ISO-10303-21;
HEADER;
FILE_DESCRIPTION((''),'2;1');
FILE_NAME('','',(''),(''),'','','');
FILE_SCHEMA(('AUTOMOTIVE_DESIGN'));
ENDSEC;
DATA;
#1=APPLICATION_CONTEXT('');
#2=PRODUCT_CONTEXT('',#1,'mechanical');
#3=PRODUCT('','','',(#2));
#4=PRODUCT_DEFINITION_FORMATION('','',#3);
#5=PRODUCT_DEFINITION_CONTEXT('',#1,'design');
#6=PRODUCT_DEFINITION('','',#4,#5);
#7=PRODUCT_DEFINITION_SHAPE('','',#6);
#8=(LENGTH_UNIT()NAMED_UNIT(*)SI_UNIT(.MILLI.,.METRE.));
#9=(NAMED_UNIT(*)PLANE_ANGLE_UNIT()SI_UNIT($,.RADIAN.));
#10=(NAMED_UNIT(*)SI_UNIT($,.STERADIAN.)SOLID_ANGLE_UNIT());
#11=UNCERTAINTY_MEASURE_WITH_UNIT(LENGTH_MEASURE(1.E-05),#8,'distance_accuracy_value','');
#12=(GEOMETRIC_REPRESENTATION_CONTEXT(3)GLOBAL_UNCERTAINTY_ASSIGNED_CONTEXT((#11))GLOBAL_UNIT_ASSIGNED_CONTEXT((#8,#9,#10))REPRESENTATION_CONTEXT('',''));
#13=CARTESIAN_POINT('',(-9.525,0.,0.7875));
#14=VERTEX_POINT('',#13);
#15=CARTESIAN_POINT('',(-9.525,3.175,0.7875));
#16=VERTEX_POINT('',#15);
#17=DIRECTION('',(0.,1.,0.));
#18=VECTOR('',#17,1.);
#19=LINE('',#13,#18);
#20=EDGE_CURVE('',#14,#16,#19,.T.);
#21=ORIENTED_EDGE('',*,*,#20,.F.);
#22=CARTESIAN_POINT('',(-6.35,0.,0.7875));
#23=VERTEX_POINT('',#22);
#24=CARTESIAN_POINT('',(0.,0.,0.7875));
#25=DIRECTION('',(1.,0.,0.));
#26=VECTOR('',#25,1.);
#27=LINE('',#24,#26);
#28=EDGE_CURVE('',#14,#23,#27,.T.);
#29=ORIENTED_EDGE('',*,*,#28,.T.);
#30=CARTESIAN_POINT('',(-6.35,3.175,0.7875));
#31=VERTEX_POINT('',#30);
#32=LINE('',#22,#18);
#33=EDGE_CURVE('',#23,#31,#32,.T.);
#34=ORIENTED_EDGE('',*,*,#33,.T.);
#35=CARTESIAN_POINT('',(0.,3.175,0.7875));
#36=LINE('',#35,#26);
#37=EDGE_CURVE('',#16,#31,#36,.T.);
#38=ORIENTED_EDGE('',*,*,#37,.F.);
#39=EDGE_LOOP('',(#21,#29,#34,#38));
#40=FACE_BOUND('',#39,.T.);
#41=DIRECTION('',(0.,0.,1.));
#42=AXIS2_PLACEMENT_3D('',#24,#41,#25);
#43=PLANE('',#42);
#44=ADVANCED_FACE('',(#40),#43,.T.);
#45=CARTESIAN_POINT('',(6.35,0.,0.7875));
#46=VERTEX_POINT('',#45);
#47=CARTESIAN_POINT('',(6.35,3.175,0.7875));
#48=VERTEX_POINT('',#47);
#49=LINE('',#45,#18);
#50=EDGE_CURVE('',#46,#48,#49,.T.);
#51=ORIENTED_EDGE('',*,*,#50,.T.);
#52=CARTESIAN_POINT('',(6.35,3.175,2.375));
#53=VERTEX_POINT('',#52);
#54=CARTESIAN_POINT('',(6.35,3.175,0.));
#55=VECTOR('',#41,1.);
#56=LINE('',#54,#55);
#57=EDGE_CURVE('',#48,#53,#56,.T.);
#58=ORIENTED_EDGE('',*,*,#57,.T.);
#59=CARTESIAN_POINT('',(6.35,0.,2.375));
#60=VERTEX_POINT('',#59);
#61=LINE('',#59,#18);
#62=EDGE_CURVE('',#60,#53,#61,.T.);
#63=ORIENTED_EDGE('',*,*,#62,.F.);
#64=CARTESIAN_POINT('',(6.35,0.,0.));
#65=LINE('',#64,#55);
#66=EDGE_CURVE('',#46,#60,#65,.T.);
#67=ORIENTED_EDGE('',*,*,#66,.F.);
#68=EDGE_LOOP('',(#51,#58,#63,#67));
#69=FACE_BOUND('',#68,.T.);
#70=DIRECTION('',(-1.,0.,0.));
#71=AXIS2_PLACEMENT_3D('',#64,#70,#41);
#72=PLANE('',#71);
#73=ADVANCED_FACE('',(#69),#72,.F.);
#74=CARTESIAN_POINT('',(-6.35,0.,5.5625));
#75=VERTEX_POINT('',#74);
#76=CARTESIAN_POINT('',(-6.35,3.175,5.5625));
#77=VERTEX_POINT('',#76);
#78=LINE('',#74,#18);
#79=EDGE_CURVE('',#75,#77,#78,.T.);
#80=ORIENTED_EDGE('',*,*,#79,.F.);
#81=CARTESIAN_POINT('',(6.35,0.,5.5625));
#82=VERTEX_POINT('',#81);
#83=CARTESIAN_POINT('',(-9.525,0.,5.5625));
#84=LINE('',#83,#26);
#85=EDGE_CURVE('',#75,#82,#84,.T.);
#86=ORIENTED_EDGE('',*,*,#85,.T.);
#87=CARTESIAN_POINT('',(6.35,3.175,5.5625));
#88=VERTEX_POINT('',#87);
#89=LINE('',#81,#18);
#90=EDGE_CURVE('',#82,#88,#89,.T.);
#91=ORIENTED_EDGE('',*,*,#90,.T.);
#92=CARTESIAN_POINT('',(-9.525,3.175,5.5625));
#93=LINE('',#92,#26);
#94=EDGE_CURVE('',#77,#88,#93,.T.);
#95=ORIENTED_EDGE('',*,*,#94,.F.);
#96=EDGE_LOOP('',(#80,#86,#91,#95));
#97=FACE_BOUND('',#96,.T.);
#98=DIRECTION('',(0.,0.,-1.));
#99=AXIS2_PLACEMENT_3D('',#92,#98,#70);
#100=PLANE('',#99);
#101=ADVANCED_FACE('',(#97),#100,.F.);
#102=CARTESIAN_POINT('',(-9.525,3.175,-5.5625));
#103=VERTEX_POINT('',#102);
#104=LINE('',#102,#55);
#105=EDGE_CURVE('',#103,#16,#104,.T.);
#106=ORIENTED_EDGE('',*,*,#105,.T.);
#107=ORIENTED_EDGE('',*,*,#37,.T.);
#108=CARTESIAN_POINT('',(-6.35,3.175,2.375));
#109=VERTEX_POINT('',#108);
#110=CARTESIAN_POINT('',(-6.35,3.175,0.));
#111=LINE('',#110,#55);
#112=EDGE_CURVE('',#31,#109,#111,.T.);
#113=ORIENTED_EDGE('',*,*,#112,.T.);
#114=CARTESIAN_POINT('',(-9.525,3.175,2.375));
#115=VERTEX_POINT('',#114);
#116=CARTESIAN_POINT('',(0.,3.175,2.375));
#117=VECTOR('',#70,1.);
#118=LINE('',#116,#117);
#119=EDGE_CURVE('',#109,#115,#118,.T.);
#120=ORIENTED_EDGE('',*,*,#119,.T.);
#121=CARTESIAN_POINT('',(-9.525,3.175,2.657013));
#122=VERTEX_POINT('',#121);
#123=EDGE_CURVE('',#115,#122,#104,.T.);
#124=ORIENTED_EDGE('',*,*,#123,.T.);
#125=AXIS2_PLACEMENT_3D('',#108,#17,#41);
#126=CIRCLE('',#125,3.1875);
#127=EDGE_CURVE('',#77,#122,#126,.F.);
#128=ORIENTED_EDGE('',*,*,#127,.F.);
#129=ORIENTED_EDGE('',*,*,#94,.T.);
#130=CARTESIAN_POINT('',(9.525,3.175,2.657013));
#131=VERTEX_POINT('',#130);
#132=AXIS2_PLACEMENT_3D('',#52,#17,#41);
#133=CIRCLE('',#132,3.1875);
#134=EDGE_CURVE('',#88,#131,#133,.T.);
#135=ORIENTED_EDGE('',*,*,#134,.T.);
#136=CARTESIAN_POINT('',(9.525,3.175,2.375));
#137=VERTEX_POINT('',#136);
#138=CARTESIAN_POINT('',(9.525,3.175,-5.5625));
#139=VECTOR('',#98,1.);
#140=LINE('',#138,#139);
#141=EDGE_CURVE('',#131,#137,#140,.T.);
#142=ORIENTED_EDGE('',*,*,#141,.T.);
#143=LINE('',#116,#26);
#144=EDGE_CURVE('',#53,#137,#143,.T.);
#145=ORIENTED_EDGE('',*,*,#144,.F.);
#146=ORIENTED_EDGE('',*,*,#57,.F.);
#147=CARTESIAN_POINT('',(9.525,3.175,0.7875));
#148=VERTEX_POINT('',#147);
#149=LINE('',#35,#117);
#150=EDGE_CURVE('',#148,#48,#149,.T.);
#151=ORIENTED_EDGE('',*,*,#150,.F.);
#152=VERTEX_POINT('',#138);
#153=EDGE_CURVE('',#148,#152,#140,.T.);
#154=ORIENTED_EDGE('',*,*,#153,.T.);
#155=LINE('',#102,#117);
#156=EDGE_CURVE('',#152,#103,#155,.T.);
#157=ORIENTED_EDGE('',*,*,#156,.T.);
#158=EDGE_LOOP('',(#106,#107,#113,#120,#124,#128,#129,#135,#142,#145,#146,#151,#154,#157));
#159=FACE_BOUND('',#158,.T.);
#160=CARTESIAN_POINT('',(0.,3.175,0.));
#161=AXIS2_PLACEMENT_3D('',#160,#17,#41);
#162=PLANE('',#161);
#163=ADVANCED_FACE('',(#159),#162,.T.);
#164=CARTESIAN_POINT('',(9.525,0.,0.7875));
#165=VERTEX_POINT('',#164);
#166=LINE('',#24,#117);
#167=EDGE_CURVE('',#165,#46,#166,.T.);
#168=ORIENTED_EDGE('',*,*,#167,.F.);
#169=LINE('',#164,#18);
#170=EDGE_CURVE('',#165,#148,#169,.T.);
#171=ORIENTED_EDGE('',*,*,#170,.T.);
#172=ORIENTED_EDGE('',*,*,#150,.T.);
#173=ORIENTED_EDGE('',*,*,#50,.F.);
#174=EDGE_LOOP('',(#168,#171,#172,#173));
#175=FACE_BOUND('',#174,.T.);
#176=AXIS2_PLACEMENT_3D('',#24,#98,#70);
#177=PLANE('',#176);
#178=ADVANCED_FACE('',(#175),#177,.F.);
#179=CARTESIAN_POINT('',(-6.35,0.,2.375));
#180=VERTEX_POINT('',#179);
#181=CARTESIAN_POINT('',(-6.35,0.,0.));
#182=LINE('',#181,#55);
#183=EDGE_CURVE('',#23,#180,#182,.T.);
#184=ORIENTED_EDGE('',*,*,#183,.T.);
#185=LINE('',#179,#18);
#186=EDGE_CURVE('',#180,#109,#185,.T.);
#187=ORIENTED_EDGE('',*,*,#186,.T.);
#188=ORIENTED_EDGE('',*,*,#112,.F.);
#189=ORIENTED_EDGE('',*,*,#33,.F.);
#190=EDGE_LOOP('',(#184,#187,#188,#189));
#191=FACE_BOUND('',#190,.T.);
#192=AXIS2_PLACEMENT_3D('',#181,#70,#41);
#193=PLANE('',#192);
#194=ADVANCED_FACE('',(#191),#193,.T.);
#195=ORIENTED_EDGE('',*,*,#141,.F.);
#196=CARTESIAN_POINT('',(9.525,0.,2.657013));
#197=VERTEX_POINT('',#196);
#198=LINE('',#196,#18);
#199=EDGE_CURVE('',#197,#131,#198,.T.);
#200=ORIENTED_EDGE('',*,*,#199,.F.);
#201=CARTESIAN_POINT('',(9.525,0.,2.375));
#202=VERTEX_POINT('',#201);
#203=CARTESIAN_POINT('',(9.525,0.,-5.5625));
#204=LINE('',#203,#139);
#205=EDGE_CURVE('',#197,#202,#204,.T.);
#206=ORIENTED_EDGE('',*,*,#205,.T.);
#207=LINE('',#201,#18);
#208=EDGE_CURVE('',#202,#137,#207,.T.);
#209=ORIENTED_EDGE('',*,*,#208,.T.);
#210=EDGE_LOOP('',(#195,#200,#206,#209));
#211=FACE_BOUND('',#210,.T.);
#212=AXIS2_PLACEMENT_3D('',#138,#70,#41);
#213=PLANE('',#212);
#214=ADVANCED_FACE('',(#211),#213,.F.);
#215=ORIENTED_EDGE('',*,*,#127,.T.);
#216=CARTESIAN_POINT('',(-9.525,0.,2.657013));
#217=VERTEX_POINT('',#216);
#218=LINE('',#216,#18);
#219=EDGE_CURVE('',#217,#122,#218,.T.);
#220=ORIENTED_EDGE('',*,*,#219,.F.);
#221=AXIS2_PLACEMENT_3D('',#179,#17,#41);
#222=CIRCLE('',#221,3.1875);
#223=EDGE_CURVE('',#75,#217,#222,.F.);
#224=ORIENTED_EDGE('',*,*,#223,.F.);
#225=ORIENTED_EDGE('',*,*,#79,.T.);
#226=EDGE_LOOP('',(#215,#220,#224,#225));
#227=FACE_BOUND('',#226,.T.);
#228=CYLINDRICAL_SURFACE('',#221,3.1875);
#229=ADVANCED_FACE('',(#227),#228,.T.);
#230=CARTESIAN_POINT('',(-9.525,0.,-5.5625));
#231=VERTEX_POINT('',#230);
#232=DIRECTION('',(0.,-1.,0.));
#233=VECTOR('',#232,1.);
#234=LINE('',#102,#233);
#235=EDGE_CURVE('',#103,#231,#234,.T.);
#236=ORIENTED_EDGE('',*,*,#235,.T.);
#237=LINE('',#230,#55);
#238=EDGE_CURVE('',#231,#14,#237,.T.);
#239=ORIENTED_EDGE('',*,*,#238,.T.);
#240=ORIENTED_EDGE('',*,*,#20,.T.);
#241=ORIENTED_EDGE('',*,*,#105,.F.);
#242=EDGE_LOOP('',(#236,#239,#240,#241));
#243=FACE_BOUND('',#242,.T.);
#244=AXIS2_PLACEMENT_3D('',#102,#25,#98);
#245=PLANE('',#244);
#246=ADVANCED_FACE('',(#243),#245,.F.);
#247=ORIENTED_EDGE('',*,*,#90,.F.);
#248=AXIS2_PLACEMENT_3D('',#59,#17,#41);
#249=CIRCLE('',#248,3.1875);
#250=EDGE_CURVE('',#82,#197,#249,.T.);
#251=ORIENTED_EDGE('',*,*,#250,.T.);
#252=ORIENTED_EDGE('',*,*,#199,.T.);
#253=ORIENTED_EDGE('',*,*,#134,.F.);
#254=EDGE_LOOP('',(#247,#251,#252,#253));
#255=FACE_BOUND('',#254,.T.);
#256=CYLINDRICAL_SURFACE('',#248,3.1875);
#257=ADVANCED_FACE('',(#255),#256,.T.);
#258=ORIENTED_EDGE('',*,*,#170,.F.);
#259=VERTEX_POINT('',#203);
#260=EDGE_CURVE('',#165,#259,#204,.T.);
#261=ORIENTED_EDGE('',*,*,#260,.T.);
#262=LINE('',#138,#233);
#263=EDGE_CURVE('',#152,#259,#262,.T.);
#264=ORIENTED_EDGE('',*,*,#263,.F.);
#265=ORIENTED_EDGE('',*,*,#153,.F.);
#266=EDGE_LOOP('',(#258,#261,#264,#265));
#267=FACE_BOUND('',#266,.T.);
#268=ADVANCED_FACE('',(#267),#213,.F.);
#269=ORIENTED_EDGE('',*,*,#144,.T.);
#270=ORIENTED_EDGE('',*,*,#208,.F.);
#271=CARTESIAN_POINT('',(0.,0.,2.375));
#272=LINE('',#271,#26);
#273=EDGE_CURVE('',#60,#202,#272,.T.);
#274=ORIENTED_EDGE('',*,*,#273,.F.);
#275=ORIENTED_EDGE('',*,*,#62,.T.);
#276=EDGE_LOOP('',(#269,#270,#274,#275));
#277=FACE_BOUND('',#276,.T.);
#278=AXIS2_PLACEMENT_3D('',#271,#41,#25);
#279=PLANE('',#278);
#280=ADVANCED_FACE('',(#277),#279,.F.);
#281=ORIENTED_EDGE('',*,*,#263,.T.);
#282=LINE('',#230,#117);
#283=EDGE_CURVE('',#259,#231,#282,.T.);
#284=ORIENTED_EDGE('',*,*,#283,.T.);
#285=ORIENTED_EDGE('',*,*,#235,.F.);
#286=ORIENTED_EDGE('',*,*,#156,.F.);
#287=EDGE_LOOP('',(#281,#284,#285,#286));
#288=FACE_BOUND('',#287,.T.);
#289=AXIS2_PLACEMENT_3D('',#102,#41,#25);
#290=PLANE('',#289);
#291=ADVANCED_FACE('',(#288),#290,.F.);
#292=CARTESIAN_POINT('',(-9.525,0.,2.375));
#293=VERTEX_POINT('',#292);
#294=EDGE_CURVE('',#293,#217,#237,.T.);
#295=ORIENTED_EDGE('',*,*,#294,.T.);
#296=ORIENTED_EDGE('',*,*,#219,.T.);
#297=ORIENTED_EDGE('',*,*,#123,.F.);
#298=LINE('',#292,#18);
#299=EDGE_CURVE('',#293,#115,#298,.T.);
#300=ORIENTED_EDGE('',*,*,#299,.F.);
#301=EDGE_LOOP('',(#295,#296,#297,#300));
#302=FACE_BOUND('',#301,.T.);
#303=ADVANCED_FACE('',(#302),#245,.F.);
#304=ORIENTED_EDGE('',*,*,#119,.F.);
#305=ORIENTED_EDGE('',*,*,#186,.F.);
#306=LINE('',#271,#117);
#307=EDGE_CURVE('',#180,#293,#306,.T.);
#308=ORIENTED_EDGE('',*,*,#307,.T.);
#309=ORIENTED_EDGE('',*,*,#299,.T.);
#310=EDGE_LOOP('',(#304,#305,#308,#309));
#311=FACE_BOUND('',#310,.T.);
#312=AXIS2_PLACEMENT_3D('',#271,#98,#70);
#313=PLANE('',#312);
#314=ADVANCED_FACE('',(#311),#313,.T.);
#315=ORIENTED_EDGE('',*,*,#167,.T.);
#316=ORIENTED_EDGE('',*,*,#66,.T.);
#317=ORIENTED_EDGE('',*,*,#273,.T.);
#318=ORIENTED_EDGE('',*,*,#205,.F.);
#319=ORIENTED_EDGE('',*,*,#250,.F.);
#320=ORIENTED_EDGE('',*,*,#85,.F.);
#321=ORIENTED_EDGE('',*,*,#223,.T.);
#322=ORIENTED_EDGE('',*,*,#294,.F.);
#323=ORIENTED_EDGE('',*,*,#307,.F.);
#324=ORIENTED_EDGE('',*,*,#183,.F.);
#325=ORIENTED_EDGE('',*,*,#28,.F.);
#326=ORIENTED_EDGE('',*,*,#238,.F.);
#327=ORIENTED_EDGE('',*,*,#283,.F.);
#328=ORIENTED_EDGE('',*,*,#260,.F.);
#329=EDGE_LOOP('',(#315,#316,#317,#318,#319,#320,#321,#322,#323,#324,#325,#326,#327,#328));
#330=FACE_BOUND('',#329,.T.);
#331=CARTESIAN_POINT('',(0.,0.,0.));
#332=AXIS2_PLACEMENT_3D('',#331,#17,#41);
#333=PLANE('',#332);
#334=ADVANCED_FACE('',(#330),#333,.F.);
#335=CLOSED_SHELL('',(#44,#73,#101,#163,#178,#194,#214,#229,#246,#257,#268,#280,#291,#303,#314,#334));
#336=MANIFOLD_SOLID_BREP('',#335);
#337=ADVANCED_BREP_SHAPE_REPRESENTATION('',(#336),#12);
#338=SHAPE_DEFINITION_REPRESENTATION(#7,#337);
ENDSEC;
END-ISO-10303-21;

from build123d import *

# Parameters (mm, degrees)
SKETCH1_W           = 19.05
SKETCH1_H           = 11.125
BOSS_EXTRUDE1_DEPTH = 3.175
SKETCH2_W           = 3.175
SKETCH2_H           = 1.5875
CUT_EXTRUDE2_DEPTH  = 3.175


with BuildPart() as part:
    # Sketch1 → Boss-Extrude1 (new body)
    with BuildSketch(Plane(origin=(0, 0, 0), x_dir=(1, 0, 0), z_dir=(0, 1, 0))):
        Rectangle(SKETCH1_W, SKETCH1_H)
    extrude(amount=BOSS_EXTRUDE1_DEPTH)

    # Sketch2 → Cut-Extrude2 (cut)
    with BuildSketch(Plane(origin=(0, 3.175, 0), x_dir=(1, 0, 0), z_dir=(0, 1, 0))):
        with Locations((-7.9375, -1.58125)):
            Rectangle(SKETCH2_W, SKETCH2_H)
        with BuildLine():
            ThreePointArc((-6.35, -5.5625), (-8.501887576, -4.726496568), (-9.525, -2.657012854))
            Line((-9.525, -2.657012854), (-9.525, -5.5625))
            Line((-9.525, -5.5625), (-6.35, -5.5625))
        make_face()
        with BuildLine():
            Line((9.525, -5.5625), (9.525, -2.657012854))
            ThreePointArc((9.525, -2.657012854), (8.501887576, -4.726496568), (6.35, -5.5625))
            Line((6.35, -5.5625), (9.525, -5.5625))
        make_face()
        with Locations((7.9375, -1.58125)):
            Rectangle(SKETCH2_W, SKETCH2_H)
    extrude(amount=-CUT_EXTRUDE2_DEPTH, mode=Mode.SUBTRACT)


solid = part.part
